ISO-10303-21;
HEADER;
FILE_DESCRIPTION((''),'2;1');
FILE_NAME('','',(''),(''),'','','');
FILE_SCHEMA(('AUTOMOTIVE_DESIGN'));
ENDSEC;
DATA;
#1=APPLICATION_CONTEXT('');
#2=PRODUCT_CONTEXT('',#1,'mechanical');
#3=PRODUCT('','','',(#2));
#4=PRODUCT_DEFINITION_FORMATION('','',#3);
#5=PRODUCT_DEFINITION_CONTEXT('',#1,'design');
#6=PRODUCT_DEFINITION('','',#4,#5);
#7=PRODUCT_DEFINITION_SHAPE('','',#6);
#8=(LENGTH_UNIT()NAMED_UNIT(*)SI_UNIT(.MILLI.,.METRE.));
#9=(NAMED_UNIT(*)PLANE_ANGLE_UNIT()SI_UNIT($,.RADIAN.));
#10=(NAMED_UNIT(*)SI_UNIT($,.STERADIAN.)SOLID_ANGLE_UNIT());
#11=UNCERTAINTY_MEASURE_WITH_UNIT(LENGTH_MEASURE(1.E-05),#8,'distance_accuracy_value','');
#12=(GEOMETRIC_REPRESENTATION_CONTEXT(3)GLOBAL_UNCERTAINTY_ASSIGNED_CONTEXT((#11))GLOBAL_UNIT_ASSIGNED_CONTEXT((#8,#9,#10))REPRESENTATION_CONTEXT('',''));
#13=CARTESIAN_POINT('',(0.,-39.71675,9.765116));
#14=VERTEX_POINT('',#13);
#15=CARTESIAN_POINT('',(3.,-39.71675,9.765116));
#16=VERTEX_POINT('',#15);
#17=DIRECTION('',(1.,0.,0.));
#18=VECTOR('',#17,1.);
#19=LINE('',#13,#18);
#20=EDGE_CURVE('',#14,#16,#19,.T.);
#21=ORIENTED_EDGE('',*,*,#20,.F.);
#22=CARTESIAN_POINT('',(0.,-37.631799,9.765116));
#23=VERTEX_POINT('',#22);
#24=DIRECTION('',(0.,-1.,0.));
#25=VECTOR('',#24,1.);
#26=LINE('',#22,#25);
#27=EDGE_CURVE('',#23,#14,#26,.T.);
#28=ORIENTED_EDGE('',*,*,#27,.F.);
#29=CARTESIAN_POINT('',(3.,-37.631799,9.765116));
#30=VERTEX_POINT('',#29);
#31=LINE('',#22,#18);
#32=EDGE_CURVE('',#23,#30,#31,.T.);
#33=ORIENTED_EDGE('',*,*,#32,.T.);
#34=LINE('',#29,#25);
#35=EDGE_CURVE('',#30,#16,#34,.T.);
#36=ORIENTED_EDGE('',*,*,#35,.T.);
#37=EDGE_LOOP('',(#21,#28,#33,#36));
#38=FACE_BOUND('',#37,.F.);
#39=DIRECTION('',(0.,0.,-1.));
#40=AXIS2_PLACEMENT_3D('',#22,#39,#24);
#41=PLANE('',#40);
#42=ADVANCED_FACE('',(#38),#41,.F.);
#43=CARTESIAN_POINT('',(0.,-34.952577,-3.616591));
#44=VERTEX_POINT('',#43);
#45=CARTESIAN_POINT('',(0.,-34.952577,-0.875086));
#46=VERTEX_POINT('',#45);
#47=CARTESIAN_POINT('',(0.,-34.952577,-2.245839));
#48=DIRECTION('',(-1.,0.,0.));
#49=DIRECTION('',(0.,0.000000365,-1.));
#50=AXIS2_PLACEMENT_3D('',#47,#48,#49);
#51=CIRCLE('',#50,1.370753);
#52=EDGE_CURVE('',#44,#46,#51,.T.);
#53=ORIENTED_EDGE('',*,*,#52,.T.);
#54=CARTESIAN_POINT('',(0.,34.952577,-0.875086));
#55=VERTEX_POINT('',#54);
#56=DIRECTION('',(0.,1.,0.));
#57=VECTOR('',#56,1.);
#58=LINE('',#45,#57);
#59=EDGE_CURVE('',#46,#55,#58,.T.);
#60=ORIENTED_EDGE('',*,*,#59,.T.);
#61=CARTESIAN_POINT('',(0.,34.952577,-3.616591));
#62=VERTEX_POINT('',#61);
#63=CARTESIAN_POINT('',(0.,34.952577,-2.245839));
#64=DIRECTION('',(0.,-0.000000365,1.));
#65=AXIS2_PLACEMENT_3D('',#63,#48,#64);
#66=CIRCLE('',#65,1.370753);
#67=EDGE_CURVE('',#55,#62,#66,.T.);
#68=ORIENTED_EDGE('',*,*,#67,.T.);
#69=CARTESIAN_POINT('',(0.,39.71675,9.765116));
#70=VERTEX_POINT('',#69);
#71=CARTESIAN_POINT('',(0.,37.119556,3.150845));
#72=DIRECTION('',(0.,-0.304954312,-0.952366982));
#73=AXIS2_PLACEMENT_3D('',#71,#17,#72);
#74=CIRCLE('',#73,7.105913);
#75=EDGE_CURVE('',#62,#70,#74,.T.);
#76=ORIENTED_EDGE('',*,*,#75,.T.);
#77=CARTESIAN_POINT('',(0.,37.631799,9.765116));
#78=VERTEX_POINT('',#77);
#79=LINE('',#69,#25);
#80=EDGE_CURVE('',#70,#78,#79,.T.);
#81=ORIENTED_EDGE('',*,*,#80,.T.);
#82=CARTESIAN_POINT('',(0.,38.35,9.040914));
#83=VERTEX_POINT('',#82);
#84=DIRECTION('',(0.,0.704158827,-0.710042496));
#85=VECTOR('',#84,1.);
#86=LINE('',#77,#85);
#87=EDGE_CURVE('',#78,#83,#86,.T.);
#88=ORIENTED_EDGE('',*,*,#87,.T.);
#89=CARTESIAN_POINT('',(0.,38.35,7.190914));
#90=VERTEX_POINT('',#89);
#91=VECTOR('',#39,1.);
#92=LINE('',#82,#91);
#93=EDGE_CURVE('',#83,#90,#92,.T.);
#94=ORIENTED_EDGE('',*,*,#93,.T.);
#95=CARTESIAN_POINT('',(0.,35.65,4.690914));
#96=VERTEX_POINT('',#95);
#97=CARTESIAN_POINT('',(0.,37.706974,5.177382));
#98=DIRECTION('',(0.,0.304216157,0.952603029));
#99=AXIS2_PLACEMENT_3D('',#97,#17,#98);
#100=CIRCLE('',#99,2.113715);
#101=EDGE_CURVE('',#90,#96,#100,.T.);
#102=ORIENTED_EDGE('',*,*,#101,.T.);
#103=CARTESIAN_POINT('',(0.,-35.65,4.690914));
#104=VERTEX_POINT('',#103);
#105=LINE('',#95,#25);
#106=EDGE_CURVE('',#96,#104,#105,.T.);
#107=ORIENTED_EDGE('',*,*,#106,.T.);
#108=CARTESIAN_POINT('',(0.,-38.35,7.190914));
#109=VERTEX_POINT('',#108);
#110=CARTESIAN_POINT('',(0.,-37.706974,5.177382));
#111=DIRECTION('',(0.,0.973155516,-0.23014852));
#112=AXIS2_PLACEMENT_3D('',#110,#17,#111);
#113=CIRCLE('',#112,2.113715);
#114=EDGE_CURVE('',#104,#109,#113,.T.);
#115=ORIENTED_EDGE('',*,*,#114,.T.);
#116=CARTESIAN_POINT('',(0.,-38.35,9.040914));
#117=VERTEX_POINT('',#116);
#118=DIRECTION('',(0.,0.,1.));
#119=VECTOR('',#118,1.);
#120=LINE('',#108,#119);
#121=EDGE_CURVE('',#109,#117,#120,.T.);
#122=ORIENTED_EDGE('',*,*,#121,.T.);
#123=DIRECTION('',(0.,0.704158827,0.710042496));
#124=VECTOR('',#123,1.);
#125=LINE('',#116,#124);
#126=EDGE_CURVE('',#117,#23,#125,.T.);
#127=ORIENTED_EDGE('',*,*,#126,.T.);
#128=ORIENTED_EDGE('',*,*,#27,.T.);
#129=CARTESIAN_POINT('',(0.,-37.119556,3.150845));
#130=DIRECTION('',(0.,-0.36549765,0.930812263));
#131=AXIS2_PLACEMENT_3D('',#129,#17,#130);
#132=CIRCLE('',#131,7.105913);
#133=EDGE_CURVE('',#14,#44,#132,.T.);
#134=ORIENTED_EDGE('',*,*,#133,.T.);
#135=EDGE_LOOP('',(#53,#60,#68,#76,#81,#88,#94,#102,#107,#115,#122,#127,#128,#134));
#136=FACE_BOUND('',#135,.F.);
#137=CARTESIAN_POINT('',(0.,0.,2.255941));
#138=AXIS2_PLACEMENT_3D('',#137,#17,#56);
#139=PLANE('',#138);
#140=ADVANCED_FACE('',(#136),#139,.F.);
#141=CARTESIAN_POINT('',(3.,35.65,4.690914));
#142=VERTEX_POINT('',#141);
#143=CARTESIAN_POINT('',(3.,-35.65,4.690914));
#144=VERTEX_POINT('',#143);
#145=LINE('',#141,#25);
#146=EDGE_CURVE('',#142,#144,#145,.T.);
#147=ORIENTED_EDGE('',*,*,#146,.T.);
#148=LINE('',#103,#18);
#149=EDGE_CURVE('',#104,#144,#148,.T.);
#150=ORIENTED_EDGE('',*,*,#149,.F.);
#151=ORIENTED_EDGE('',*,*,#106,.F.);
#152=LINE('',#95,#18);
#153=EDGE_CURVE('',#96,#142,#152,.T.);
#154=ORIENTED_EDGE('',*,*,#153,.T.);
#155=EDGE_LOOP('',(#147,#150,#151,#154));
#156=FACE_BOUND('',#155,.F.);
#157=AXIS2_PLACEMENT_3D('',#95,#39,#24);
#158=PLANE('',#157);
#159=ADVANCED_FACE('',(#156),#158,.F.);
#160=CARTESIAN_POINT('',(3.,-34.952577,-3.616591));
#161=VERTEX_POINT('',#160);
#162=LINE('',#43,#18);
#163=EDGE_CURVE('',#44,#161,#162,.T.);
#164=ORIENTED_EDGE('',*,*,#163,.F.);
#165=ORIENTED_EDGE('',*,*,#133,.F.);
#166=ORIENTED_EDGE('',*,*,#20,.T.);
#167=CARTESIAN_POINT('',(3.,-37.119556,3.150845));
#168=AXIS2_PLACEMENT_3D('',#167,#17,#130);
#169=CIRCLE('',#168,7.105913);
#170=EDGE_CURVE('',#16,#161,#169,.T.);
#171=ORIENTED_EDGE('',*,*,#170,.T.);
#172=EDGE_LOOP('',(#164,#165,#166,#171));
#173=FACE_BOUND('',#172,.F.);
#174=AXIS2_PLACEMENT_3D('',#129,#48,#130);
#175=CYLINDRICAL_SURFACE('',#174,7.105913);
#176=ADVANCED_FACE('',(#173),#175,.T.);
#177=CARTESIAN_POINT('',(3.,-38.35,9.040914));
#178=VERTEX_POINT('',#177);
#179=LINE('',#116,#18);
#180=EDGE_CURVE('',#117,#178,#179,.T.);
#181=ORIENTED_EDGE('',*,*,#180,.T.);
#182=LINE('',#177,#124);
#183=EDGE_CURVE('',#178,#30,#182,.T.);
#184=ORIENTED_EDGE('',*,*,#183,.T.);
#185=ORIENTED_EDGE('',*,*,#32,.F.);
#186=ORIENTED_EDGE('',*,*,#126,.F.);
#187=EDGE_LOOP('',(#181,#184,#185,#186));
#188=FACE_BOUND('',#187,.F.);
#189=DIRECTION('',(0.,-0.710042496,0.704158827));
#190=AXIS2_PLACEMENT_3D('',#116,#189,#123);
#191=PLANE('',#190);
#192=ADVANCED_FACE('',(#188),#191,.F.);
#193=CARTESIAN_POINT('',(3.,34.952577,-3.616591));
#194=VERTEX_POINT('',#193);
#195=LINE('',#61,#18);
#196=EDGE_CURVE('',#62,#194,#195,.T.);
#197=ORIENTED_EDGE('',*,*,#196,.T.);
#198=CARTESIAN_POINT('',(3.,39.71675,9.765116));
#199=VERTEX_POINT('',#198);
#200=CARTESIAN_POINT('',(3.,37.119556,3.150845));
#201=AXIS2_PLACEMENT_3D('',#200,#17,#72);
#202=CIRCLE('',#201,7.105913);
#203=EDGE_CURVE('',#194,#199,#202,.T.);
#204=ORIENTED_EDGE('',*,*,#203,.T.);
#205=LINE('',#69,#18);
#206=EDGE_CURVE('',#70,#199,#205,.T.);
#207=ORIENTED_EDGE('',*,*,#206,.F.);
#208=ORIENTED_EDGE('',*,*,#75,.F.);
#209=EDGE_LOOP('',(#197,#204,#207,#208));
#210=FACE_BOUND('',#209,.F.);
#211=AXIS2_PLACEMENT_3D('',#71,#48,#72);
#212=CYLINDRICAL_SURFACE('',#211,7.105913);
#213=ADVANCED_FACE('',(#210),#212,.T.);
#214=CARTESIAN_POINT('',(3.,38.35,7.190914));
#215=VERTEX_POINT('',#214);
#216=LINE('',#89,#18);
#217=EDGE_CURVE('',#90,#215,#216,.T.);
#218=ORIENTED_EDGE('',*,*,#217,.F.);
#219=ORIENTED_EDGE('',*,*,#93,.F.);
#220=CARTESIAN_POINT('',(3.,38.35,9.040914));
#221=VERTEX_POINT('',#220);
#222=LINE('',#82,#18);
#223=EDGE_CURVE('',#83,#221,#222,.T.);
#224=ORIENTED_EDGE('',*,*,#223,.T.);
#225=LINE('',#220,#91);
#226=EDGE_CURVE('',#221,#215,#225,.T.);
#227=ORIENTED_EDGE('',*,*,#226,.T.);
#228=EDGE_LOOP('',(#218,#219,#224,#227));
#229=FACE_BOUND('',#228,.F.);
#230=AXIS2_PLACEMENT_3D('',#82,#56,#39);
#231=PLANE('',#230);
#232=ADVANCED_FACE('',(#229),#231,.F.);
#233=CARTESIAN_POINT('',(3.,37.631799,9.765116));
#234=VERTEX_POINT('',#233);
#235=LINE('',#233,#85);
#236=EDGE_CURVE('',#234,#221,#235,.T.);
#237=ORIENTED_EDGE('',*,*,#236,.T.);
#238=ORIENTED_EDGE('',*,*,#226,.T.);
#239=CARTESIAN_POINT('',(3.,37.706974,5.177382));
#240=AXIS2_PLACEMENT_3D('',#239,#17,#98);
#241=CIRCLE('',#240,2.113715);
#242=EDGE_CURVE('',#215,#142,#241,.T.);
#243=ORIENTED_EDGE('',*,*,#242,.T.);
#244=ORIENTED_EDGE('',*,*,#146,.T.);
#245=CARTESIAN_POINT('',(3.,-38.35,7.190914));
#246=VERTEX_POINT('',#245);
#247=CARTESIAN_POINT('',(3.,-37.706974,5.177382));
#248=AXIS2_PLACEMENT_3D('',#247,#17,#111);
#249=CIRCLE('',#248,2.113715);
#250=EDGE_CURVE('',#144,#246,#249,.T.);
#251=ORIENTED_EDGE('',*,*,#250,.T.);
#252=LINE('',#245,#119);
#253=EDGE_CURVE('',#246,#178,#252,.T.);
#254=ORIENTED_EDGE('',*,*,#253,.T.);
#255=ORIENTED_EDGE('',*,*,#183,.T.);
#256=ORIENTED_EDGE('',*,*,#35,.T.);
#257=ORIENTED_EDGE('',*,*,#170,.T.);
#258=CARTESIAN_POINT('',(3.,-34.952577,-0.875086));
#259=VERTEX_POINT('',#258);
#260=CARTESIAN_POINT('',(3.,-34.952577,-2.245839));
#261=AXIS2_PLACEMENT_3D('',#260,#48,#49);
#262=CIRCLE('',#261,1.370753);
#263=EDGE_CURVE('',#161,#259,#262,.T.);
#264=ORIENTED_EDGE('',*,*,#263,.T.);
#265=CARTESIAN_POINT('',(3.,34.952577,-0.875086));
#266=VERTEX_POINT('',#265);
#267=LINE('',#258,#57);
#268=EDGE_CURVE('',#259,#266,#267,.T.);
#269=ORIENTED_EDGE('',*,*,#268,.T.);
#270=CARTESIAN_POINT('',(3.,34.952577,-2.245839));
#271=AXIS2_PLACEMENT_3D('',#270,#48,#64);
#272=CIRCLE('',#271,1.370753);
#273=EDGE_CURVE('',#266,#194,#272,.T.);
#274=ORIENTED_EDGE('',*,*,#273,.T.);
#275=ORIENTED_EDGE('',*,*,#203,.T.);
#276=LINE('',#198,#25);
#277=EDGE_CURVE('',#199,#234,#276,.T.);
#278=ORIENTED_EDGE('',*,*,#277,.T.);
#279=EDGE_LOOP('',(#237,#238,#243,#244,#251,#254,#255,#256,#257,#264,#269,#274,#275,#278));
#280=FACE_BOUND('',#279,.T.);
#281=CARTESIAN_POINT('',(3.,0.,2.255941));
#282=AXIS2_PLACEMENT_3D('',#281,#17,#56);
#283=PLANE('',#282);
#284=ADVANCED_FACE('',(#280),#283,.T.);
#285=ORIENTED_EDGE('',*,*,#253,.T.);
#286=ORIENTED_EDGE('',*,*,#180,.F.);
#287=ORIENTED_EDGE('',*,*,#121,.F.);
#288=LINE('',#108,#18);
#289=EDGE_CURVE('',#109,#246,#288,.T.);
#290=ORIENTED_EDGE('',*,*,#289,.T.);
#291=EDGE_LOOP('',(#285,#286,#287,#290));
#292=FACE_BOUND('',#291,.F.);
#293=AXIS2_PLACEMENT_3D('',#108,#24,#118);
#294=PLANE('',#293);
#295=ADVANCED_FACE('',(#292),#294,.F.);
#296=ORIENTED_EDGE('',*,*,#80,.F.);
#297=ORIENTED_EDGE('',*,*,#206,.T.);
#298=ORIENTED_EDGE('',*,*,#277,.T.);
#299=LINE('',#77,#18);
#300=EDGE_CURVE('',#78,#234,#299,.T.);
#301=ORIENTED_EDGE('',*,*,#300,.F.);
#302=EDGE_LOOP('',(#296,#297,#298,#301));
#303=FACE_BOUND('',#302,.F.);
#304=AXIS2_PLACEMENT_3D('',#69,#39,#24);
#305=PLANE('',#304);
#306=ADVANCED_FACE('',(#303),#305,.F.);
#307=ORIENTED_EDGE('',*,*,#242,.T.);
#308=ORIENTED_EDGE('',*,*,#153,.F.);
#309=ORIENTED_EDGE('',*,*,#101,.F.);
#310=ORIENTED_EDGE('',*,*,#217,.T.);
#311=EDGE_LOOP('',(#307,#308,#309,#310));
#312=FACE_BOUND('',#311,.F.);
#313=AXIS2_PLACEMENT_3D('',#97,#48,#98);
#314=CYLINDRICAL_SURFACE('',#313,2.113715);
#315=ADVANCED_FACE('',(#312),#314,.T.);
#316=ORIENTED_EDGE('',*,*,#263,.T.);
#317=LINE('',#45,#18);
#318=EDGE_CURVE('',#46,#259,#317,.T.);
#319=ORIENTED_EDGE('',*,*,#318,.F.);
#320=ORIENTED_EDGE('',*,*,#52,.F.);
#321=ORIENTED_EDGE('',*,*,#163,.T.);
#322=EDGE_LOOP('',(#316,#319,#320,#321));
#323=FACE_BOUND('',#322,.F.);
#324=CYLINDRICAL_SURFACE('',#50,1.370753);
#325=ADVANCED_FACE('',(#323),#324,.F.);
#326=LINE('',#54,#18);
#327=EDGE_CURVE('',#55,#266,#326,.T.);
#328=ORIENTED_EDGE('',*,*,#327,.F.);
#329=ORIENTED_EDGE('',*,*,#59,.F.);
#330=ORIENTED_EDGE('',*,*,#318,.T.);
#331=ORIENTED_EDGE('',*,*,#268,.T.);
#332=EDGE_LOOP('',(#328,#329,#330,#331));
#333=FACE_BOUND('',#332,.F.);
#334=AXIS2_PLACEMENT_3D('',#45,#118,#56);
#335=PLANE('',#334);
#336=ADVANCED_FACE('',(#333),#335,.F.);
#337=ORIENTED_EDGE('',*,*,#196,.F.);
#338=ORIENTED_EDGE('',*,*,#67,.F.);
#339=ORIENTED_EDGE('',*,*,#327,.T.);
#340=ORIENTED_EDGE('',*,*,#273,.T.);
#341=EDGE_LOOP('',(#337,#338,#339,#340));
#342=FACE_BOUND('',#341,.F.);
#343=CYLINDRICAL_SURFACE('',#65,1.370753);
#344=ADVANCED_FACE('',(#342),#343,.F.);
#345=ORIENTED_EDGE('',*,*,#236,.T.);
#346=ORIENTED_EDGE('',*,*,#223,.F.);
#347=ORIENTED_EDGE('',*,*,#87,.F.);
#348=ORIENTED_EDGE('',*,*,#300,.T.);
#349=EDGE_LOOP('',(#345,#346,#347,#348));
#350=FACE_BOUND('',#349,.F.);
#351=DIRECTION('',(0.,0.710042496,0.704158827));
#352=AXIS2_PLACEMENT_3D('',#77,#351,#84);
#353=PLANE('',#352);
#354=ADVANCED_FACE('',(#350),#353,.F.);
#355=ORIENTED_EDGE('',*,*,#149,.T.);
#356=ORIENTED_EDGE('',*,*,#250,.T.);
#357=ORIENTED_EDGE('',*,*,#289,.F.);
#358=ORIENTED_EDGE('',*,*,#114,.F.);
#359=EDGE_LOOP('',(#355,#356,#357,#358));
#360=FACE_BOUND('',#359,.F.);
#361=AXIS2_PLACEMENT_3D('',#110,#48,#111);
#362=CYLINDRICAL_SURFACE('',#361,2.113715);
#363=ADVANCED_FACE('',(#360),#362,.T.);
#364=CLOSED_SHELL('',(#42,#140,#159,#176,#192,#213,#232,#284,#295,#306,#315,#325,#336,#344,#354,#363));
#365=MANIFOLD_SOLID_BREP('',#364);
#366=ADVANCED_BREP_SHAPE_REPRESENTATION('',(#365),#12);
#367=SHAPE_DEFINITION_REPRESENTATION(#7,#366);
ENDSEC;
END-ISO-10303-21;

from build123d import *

# Parameters (mm, degrees)
F1_DEPTH = 3


with BuildPart() as f1:
    # F0 (on Right) → F1 (new body)
    with BuildSketch(Plane.YZ):
        with BuildLine():
            Line((-34.952577, -0.875086), (0, -0.875086))
            Line((0, -0.875086), (34.952577, -0.875086))
            ThreePointArc((34.952577, -0.875086), (36.32333, -2.245839), (34.952577, -3.616591))
            ThreePointArc((34.952577, -3.616591), (43.813866, 0.767528), (39.71675, 9.765116))
            Line((39.71675, 9.765116), (37.631799, 9.765116))
            Line((37.631799, 9.765116), (38.35, 9.040914))
            Line((38.35, 9.040914), (38.35, 7.190914))
            ThreePointArc((38.35, 7.190914), (36.270899, 6.728344), (35.65, 4.690914))
            Line((35.65, 4.690914), (0, 4.690914))
            Line((0, 4.690914), (-35.65, 4.690914))
            ThreePointArc((-35.65, 4.690914), (-36.270899, 6.728344), (-38.35, 7.190914))
            Line((-38.35, 7.190914), (-38.35, 9.040914))
            Line((-38.35, 9.040914), (-37.631799, 9.765116))
            Line((-37.631799, 9.765116), (-39.71675, 9.765116))
            ThreePointArc((-39.71675, 9.765116), (-43.813866, 0.767528), (-34.952577, -3.616591))
            ThreePointArc((-34.952577, -3.616591), (-36.32333, -2.245839), (-34.952577, -0.875086))
        make_face()
    extrude(amount=F1_DEPTH)


solid = f1.part
